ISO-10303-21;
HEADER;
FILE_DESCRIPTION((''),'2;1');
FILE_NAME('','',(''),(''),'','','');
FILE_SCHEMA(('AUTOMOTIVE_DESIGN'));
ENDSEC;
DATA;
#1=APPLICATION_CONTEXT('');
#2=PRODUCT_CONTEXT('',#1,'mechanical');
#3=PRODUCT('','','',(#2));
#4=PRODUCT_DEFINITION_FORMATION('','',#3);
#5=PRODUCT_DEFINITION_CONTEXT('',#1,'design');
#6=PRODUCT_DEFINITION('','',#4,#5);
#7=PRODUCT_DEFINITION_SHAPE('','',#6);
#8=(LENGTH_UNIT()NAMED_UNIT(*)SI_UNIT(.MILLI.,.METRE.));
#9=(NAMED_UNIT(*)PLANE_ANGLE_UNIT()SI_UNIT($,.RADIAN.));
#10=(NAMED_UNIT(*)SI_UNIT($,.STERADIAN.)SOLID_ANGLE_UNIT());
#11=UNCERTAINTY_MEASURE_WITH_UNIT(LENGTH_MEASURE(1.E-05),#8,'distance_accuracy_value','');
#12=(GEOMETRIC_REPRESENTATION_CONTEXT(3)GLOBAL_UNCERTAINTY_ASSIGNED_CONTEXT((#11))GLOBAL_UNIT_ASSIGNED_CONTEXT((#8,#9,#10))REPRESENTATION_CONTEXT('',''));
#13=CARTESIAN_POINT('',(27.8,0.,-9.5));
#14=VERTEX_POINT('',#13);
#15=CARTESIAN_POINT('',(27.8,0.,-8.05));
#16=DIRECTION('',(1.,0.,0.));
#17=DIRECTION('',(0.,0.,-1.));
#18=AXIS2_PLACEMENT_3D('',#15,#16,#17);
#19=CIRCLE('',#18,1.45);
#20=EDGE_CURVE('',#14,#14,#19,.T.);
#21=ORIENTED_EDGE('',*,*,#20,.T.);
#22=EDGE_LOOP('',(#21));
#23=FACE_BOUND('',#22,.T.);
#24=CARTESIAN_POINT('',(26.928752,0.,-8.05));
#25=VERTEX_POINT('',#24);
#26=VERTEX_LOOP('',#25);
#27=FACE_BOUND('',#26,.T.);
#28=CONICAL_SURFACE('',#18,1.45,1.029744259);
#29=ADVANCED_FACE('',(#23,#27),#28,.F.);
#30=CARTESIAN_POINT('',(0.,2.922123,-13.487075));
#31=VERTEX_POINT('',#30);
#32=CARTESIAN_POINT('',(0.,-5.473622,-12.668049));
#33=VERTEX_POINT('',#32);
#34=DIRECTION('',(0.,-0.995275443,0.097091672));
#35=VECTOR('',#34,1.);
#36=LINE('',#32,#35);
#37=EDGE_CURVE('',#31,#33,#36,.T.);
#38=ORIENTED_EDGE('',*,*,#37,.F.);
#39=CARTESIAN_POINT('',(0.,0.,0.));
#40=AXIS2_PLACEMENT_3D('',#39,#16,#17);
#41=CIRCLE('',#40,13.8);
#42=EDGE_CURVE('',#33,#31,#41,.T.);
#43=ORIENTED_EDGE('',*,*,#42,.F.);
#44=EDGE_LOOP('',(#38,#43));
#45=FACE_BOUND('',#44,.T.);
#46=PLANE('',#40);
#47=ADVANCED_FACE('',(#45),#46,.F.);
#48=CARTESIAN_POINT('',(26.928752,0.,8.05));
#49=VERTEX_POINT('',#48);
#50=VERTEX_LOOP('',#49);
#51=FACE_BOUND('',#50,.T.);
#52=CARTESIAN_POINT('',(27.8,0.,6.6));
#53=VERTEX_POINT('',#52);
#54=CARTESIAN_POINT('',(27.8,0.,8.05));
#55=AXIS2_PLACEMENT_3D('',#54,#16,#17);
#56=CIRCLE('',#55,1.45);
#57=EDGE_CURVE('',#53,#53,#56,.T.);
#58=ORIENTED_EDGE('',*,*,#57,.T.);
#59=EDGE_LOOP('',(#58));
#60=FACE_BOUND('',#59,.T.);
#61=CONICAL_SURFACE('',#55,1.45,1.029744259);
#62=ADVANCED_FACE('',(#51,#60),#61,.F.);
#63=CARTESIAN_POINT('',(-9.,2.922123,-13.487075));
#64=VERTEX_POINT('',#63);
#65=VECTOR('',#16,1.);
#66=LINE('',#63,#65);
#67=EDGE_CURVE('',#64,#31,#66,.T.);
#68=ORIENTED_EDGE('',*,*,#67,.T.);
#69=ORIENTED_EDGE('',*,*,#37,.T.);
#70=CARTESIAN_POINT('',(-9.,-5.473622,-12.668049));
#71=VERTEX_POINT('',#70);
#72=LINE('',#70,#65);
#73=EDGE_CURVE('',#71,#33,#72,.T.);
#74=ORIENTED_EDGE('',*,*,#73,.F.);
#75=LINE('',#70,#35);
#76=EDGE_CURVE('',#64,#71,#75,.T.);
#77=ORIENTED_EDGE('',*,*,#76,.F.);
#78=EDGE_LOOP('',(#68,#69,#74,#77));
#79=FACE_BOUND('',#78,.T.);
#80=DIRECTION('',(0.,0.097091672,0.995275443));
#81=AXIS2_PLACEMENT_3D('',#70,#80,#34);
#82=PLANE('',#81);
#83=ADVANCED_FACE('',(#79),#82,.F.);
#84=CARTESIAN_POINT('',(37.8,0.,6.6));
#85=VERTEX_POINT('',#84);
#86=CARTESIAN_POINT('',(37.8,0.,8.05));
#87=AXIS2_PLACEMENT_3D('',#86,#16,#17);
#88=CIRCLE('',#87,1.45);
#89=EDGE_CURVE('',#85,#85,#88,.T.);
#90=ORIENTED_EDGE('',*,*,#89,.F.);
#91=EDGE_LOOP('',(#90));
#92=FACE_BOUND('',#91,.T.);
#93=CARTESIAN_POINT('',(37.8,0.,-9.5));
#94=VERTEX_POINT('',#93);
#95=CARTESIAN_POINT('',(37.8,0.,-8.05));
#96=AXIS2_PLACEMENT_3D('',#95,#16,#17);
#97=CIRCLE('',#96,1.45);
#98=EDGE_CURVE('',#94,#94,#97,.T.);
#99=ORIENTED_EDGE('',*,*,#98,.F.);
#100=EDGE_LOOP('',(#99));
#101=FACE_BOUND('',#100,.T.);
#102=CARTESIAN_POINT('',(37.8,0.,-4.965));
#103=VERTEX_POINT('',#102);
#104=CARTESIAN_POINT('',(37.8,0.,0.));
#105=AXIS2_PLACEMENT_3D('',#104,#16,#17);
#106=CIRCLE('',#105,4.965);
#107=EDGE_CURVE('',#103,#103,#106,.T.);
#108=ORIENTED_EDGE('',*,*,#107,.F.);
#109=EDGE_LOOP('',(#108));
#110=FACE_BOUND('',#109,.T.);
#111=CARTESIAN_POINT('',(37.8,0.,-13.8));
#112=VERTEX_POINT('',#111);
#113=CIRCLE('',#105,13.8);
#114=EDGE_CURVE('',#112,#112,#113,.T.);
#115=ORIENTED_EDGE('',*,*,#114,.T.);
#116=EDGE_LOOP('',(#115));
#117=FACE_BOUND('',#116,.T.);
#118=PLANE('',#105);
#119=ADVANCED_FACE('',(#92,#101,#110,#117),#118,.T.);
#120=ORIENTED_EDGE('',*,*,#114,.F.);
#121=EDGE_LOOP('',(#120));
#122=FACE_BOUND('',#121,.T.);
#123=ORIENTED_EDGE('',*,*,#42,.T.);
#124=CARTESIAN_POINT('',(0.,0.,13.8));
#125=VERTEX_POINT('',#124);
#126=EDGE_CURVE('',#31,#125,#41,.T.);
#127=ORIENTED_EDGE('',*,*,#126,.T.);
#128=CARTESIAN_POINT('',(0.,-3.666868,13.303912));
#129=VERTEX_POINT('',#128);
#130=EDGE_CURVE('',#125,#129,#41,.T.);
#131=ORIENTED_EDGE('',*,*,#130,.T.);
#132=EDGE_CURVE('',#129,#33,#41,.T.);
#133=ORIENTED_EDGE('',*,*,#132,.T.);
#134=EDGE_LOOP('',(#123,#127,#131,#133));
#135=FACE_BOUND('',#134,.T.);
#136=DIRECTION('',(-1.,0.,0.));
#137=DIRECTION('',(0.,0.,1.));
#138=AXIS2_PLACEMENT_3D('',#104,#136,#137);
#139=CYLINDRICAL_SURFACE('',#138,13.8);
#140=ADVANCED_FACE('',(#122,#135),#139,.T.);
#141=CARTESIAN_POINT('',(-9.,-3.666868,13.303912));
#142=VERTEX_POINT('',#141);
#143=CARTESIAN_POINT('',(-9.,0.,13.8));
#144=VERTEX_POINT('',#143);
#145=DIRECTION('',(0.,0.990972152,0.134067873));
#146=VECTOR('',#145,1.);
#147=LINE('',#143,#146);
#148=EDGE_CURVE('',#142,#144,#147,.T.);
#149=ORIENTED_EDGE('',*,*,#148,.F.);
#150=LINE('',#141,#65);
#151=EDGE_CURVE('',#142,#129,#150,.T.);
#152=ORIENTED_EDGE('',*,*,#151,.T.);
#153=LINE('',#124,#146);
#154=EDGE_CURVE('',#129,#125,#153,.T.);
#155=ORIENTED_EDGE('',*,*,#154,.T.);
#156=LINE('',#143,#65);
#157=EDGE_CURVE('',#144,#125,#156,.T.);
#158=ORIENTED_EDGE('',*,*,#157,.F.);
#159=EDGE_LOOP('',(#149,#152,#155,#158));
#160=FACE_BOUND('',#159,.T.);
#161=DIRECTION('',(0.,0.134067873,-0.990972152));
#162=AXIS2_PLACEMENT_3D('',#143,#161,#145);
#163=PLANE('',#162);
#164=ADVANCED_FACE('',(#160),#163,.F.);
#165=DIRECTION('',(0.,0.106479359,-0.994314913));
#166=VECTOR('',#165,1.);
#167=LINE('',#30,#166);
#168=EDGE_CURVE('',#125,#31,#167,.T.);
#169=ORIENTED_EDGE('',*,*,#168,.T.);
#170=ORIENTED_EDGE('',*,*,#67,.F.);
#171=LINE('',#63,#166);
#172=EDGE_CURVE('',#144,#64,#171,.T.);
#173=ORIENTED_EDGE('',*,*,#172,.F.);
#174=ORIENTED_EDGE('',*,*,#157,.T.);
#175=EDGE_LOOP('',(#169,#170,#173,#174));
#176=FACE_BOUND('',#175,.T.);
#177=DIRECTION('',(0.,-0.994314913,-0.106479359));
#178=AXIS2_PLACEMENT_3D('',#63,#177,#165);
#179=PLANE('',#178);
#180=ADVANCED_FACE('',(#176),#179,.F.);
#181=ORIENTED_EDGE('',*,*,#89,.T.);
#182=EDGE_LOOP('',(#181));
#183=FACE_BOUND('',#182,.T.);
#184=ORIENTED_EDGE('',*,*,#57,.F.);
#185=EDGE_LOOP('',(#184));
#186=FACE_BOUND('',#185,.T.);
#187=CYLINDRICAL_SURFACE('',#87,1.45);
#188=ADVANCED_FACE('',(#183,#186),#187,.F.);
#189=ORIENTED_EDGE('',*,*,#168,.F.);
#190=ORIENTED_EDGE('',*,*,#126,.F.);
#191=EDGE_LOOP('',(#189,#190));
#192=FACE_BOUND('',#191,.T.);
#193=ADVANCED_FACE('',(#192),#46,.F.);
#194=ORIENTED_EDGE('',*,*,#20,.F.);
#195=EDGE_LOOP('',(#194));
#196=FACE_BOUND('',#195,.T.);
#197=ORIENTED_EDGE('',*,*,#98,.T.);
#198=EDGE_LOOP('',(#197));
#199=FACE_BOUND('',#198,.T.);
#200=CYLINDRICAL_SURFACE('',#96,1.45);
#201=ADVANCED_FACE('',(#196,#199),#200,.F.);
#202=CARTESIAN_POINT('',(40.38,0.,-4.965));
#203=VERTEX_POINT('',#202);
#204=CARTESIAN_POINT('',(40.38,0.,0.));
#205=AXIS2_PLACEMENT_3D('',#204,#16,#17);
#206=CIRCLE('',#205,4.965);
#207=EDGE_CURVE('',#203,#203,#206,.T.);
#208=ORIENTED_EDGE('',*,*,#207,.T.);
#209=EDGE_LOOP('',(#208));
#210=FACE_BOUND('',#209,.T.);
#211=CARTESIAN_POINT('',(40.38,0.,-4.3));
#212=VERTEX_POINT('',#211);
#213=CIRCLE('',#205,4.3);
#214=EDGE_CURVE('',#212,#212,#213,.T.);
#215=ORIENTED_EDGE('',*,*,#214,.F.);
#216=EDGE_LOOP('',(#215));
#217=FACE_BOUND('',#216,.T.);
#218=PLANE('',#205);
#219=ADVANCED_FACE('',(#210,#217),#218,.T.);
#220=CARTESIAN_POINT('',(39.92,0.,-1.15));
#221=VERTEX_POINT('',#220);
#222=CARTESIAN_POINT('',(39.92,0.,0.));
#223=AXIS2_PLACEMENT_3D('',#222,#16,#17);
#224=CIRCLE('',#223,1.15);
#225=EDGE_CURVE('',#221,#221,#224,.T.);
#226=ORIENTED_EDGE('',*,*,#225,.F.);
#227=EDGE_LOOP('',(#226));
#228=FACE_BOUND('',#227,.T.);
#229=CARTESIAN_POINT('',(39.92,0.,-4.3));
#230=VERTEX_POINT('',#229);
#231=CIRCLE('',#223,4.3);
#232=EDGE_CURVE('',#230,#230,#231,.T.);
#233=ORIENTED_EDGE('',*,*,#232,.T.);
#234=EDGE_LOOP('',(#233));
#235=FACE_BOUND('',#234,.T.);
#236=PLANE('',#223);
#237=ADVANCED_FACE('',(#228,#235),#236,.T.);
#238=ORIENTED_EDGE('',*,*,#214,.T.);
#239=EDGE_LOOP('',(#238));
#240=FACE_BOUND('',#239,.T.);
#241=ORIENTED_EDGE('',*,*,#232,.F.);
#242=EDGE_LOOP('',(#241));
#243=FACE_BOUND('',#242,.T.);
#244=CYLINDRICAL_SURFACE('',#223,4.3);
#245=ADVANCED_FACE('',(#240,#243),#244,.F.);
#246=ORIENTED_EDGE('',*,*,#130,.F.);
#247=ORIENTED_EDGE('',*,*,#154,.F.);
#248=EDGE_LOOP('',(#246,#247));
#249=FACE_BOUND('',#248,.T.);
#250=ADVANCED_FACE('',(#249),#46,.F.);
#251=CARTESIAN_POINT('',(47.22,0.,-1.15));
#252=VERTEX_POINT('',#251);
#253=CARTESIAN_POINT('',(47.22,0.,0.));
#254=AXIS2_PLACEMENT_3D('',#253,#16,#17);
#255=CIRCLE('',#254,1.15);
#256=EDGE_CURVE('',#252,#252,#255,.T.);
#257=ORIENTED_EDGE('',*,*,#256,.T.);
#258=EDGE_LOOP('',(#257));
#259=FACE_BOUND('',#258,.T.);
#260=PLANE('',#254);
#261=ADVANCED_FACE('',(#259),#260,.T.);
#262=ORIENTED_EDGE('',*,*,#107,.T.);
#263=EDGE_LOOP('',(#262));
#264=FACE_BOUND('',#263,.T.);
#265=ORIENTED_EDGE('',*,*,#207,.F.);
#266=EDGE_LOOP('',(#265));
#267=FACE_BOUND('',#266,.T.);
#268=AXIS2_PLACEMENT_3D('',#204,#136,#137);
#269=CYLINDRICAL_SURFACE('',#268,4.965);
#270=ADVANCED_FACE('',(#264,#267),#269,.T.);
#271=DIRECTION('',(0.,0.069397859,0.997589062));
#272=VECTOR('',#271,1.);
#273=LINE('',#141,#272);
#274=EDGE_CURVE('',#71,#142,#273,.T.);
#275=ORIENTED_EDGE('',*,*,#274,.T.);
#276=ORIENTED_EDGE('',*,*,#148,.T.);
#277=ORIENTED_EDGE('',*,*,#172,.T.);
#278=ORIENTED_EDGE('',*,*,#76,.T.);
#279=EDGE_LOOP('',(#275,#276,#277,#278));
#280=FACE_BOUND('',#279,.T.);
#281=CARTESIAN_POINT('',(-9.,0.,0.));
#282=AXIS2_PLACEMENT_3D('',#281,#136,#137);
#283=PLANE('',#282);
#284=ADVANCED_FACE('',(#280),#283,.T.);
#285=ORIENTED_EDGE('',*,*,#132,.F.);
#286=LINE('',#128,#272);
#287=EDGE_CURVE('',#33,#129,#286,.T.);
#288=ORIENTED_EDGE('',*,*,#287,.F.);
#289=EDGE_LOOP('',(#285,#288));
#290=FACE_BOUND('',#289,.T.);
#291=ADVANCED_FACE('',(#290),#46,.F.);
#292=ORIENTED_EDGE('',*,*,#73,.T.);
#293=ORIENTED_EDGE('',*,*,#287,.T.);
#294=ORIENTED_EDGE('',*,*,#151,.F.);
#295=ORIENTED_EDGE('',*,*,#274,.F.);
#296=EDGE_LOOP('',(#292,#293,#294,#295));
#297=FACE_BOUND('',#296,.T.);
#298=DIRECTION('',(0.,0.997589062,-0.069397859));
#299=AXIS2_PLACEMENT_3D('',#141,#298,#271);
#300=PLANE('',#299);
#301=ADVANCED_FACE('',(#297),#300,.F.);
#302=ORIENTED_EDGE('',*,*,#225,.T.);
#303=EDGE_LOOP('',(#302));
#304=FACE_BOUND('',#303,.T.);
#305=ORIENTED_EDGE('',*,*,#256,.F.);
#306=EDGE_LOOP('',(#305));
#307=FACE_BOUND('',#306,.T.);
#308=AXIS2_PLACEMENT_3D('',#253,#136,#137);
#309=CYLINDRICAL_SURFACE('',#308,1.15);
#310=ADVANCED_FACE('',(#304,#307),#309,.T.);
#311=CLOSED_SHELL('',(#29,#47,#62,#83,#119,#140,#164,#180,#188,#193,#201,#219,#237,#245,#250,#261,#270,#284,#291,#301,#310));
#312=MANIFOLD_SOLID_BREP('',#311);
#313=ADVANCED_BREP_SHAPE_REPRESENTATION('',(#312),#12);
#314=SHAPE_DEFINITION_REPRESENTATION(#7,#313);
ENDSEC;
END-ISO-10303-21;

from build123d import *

# Parameters (mm, degrees)
SKETCH1_R                  = 13.8
BOSS_EXTRUDE1_DEPTH        = 37.8
SKETCH2_R                  = 4.965
BOSS_EXTRUDE2_DEPTH        = 2.58
SKETCH3_R                  = 4.3
CUT_EXTRUDE1_DEPTH         = 0.46
SKETCH4_R                  = 1.15
BOSS_EXTRUDE3_DEPTH        = 7.3
M2_5_CLEARANCE_HOLE1_D     = 2.9
M2_5_CLEARANCE_HOLE1_DEPTH = 10
M2_5_CLEARANCE_HOLE1_TIP   = 0.871247898
BOSS_EXTRUDE4_DEPTH        = 9


with BuildPart() as part:
    # Sketch1 → Boss-Extrude1 (new body)
    with BuildSketch(Plane(origin=(0, 0, 0), x_dir=(0, 0, -1), z_dir=(1, 0, 0))):
        Circle(SKETCH1_R)
    extrude(amount=BOSS_EXTRUDE1_DEPTH)

    # Sketch2 → Boss-Extrude2 (add)
    with BuildSketch(Plane(origin=(37.8, 0, 0), x_dir=(0, 0, -1), z_dir=(1, 0, 0))):
        Circle(SKETCH2_R)
    extrude(amount=BOSS_EXTRUDE2_DEPTH)

    # Sketch3 → Cut-Extrude1 (cut)
    with BuildSketch(Plane(origin=(40.38, 0, 0), x_dir=(0, 0, -1), z_dir=(1, 0, 0))):
        Circle(SKETCH3_R)
    extrude(amount=-CUT_EXTRUDE1_DEPTH, mode=Mode.SUBTRACT)

    # Sketch4 → Boss-Extrude3 (add)
    with BuildSketch(Plane(origin=(39.92, 0, 0), x_dir=(0, 0, -1), z_dir=(1, 0, 0))):
        Circle(SKETCH4_R)
    extrude(amount=BOSS_EXTRUDE3_DEPTH)

    # M2.5 Clearance Hole1
    with Locations(Plane(origin=(37.8, 0, 0), x_dir=(0, 0, -1), z_dir=(1, 0, 0))):
        with Locations((-8.05, 0), (8.05, 0)):
            Hole(M2_5_CLEARANCE_HOLE1_D / 2, depth=M2_5_CLEARANCE_HOLE1_DEPTH)
            with Locations((0, 0, -(M2_5_CLEARANCE_HOLE1_DEPTH + M2_5_CLEARANCE_HOLE1_TIP / 2))):  # 118° drill point
                Cone(0, M2_5_CLEARANCE_HOLE1_D / 2, M2_5_CLEARANCE_HOLE1_TIP, mode=Mode.SUBTRACT)

    # Sketch7 → Boss-Extrude4 (add)
    with BuildSketch(Plane.ZY):
        Polygon((-13.48707523, 2.922122814), (13.8, 0), (13.303912233, -3.666867776), (-12.668048772, -5.47362223), align=None)
    extrude(amount=BOSS_EXTRUDE4_DEPTH)


solid = part.part
